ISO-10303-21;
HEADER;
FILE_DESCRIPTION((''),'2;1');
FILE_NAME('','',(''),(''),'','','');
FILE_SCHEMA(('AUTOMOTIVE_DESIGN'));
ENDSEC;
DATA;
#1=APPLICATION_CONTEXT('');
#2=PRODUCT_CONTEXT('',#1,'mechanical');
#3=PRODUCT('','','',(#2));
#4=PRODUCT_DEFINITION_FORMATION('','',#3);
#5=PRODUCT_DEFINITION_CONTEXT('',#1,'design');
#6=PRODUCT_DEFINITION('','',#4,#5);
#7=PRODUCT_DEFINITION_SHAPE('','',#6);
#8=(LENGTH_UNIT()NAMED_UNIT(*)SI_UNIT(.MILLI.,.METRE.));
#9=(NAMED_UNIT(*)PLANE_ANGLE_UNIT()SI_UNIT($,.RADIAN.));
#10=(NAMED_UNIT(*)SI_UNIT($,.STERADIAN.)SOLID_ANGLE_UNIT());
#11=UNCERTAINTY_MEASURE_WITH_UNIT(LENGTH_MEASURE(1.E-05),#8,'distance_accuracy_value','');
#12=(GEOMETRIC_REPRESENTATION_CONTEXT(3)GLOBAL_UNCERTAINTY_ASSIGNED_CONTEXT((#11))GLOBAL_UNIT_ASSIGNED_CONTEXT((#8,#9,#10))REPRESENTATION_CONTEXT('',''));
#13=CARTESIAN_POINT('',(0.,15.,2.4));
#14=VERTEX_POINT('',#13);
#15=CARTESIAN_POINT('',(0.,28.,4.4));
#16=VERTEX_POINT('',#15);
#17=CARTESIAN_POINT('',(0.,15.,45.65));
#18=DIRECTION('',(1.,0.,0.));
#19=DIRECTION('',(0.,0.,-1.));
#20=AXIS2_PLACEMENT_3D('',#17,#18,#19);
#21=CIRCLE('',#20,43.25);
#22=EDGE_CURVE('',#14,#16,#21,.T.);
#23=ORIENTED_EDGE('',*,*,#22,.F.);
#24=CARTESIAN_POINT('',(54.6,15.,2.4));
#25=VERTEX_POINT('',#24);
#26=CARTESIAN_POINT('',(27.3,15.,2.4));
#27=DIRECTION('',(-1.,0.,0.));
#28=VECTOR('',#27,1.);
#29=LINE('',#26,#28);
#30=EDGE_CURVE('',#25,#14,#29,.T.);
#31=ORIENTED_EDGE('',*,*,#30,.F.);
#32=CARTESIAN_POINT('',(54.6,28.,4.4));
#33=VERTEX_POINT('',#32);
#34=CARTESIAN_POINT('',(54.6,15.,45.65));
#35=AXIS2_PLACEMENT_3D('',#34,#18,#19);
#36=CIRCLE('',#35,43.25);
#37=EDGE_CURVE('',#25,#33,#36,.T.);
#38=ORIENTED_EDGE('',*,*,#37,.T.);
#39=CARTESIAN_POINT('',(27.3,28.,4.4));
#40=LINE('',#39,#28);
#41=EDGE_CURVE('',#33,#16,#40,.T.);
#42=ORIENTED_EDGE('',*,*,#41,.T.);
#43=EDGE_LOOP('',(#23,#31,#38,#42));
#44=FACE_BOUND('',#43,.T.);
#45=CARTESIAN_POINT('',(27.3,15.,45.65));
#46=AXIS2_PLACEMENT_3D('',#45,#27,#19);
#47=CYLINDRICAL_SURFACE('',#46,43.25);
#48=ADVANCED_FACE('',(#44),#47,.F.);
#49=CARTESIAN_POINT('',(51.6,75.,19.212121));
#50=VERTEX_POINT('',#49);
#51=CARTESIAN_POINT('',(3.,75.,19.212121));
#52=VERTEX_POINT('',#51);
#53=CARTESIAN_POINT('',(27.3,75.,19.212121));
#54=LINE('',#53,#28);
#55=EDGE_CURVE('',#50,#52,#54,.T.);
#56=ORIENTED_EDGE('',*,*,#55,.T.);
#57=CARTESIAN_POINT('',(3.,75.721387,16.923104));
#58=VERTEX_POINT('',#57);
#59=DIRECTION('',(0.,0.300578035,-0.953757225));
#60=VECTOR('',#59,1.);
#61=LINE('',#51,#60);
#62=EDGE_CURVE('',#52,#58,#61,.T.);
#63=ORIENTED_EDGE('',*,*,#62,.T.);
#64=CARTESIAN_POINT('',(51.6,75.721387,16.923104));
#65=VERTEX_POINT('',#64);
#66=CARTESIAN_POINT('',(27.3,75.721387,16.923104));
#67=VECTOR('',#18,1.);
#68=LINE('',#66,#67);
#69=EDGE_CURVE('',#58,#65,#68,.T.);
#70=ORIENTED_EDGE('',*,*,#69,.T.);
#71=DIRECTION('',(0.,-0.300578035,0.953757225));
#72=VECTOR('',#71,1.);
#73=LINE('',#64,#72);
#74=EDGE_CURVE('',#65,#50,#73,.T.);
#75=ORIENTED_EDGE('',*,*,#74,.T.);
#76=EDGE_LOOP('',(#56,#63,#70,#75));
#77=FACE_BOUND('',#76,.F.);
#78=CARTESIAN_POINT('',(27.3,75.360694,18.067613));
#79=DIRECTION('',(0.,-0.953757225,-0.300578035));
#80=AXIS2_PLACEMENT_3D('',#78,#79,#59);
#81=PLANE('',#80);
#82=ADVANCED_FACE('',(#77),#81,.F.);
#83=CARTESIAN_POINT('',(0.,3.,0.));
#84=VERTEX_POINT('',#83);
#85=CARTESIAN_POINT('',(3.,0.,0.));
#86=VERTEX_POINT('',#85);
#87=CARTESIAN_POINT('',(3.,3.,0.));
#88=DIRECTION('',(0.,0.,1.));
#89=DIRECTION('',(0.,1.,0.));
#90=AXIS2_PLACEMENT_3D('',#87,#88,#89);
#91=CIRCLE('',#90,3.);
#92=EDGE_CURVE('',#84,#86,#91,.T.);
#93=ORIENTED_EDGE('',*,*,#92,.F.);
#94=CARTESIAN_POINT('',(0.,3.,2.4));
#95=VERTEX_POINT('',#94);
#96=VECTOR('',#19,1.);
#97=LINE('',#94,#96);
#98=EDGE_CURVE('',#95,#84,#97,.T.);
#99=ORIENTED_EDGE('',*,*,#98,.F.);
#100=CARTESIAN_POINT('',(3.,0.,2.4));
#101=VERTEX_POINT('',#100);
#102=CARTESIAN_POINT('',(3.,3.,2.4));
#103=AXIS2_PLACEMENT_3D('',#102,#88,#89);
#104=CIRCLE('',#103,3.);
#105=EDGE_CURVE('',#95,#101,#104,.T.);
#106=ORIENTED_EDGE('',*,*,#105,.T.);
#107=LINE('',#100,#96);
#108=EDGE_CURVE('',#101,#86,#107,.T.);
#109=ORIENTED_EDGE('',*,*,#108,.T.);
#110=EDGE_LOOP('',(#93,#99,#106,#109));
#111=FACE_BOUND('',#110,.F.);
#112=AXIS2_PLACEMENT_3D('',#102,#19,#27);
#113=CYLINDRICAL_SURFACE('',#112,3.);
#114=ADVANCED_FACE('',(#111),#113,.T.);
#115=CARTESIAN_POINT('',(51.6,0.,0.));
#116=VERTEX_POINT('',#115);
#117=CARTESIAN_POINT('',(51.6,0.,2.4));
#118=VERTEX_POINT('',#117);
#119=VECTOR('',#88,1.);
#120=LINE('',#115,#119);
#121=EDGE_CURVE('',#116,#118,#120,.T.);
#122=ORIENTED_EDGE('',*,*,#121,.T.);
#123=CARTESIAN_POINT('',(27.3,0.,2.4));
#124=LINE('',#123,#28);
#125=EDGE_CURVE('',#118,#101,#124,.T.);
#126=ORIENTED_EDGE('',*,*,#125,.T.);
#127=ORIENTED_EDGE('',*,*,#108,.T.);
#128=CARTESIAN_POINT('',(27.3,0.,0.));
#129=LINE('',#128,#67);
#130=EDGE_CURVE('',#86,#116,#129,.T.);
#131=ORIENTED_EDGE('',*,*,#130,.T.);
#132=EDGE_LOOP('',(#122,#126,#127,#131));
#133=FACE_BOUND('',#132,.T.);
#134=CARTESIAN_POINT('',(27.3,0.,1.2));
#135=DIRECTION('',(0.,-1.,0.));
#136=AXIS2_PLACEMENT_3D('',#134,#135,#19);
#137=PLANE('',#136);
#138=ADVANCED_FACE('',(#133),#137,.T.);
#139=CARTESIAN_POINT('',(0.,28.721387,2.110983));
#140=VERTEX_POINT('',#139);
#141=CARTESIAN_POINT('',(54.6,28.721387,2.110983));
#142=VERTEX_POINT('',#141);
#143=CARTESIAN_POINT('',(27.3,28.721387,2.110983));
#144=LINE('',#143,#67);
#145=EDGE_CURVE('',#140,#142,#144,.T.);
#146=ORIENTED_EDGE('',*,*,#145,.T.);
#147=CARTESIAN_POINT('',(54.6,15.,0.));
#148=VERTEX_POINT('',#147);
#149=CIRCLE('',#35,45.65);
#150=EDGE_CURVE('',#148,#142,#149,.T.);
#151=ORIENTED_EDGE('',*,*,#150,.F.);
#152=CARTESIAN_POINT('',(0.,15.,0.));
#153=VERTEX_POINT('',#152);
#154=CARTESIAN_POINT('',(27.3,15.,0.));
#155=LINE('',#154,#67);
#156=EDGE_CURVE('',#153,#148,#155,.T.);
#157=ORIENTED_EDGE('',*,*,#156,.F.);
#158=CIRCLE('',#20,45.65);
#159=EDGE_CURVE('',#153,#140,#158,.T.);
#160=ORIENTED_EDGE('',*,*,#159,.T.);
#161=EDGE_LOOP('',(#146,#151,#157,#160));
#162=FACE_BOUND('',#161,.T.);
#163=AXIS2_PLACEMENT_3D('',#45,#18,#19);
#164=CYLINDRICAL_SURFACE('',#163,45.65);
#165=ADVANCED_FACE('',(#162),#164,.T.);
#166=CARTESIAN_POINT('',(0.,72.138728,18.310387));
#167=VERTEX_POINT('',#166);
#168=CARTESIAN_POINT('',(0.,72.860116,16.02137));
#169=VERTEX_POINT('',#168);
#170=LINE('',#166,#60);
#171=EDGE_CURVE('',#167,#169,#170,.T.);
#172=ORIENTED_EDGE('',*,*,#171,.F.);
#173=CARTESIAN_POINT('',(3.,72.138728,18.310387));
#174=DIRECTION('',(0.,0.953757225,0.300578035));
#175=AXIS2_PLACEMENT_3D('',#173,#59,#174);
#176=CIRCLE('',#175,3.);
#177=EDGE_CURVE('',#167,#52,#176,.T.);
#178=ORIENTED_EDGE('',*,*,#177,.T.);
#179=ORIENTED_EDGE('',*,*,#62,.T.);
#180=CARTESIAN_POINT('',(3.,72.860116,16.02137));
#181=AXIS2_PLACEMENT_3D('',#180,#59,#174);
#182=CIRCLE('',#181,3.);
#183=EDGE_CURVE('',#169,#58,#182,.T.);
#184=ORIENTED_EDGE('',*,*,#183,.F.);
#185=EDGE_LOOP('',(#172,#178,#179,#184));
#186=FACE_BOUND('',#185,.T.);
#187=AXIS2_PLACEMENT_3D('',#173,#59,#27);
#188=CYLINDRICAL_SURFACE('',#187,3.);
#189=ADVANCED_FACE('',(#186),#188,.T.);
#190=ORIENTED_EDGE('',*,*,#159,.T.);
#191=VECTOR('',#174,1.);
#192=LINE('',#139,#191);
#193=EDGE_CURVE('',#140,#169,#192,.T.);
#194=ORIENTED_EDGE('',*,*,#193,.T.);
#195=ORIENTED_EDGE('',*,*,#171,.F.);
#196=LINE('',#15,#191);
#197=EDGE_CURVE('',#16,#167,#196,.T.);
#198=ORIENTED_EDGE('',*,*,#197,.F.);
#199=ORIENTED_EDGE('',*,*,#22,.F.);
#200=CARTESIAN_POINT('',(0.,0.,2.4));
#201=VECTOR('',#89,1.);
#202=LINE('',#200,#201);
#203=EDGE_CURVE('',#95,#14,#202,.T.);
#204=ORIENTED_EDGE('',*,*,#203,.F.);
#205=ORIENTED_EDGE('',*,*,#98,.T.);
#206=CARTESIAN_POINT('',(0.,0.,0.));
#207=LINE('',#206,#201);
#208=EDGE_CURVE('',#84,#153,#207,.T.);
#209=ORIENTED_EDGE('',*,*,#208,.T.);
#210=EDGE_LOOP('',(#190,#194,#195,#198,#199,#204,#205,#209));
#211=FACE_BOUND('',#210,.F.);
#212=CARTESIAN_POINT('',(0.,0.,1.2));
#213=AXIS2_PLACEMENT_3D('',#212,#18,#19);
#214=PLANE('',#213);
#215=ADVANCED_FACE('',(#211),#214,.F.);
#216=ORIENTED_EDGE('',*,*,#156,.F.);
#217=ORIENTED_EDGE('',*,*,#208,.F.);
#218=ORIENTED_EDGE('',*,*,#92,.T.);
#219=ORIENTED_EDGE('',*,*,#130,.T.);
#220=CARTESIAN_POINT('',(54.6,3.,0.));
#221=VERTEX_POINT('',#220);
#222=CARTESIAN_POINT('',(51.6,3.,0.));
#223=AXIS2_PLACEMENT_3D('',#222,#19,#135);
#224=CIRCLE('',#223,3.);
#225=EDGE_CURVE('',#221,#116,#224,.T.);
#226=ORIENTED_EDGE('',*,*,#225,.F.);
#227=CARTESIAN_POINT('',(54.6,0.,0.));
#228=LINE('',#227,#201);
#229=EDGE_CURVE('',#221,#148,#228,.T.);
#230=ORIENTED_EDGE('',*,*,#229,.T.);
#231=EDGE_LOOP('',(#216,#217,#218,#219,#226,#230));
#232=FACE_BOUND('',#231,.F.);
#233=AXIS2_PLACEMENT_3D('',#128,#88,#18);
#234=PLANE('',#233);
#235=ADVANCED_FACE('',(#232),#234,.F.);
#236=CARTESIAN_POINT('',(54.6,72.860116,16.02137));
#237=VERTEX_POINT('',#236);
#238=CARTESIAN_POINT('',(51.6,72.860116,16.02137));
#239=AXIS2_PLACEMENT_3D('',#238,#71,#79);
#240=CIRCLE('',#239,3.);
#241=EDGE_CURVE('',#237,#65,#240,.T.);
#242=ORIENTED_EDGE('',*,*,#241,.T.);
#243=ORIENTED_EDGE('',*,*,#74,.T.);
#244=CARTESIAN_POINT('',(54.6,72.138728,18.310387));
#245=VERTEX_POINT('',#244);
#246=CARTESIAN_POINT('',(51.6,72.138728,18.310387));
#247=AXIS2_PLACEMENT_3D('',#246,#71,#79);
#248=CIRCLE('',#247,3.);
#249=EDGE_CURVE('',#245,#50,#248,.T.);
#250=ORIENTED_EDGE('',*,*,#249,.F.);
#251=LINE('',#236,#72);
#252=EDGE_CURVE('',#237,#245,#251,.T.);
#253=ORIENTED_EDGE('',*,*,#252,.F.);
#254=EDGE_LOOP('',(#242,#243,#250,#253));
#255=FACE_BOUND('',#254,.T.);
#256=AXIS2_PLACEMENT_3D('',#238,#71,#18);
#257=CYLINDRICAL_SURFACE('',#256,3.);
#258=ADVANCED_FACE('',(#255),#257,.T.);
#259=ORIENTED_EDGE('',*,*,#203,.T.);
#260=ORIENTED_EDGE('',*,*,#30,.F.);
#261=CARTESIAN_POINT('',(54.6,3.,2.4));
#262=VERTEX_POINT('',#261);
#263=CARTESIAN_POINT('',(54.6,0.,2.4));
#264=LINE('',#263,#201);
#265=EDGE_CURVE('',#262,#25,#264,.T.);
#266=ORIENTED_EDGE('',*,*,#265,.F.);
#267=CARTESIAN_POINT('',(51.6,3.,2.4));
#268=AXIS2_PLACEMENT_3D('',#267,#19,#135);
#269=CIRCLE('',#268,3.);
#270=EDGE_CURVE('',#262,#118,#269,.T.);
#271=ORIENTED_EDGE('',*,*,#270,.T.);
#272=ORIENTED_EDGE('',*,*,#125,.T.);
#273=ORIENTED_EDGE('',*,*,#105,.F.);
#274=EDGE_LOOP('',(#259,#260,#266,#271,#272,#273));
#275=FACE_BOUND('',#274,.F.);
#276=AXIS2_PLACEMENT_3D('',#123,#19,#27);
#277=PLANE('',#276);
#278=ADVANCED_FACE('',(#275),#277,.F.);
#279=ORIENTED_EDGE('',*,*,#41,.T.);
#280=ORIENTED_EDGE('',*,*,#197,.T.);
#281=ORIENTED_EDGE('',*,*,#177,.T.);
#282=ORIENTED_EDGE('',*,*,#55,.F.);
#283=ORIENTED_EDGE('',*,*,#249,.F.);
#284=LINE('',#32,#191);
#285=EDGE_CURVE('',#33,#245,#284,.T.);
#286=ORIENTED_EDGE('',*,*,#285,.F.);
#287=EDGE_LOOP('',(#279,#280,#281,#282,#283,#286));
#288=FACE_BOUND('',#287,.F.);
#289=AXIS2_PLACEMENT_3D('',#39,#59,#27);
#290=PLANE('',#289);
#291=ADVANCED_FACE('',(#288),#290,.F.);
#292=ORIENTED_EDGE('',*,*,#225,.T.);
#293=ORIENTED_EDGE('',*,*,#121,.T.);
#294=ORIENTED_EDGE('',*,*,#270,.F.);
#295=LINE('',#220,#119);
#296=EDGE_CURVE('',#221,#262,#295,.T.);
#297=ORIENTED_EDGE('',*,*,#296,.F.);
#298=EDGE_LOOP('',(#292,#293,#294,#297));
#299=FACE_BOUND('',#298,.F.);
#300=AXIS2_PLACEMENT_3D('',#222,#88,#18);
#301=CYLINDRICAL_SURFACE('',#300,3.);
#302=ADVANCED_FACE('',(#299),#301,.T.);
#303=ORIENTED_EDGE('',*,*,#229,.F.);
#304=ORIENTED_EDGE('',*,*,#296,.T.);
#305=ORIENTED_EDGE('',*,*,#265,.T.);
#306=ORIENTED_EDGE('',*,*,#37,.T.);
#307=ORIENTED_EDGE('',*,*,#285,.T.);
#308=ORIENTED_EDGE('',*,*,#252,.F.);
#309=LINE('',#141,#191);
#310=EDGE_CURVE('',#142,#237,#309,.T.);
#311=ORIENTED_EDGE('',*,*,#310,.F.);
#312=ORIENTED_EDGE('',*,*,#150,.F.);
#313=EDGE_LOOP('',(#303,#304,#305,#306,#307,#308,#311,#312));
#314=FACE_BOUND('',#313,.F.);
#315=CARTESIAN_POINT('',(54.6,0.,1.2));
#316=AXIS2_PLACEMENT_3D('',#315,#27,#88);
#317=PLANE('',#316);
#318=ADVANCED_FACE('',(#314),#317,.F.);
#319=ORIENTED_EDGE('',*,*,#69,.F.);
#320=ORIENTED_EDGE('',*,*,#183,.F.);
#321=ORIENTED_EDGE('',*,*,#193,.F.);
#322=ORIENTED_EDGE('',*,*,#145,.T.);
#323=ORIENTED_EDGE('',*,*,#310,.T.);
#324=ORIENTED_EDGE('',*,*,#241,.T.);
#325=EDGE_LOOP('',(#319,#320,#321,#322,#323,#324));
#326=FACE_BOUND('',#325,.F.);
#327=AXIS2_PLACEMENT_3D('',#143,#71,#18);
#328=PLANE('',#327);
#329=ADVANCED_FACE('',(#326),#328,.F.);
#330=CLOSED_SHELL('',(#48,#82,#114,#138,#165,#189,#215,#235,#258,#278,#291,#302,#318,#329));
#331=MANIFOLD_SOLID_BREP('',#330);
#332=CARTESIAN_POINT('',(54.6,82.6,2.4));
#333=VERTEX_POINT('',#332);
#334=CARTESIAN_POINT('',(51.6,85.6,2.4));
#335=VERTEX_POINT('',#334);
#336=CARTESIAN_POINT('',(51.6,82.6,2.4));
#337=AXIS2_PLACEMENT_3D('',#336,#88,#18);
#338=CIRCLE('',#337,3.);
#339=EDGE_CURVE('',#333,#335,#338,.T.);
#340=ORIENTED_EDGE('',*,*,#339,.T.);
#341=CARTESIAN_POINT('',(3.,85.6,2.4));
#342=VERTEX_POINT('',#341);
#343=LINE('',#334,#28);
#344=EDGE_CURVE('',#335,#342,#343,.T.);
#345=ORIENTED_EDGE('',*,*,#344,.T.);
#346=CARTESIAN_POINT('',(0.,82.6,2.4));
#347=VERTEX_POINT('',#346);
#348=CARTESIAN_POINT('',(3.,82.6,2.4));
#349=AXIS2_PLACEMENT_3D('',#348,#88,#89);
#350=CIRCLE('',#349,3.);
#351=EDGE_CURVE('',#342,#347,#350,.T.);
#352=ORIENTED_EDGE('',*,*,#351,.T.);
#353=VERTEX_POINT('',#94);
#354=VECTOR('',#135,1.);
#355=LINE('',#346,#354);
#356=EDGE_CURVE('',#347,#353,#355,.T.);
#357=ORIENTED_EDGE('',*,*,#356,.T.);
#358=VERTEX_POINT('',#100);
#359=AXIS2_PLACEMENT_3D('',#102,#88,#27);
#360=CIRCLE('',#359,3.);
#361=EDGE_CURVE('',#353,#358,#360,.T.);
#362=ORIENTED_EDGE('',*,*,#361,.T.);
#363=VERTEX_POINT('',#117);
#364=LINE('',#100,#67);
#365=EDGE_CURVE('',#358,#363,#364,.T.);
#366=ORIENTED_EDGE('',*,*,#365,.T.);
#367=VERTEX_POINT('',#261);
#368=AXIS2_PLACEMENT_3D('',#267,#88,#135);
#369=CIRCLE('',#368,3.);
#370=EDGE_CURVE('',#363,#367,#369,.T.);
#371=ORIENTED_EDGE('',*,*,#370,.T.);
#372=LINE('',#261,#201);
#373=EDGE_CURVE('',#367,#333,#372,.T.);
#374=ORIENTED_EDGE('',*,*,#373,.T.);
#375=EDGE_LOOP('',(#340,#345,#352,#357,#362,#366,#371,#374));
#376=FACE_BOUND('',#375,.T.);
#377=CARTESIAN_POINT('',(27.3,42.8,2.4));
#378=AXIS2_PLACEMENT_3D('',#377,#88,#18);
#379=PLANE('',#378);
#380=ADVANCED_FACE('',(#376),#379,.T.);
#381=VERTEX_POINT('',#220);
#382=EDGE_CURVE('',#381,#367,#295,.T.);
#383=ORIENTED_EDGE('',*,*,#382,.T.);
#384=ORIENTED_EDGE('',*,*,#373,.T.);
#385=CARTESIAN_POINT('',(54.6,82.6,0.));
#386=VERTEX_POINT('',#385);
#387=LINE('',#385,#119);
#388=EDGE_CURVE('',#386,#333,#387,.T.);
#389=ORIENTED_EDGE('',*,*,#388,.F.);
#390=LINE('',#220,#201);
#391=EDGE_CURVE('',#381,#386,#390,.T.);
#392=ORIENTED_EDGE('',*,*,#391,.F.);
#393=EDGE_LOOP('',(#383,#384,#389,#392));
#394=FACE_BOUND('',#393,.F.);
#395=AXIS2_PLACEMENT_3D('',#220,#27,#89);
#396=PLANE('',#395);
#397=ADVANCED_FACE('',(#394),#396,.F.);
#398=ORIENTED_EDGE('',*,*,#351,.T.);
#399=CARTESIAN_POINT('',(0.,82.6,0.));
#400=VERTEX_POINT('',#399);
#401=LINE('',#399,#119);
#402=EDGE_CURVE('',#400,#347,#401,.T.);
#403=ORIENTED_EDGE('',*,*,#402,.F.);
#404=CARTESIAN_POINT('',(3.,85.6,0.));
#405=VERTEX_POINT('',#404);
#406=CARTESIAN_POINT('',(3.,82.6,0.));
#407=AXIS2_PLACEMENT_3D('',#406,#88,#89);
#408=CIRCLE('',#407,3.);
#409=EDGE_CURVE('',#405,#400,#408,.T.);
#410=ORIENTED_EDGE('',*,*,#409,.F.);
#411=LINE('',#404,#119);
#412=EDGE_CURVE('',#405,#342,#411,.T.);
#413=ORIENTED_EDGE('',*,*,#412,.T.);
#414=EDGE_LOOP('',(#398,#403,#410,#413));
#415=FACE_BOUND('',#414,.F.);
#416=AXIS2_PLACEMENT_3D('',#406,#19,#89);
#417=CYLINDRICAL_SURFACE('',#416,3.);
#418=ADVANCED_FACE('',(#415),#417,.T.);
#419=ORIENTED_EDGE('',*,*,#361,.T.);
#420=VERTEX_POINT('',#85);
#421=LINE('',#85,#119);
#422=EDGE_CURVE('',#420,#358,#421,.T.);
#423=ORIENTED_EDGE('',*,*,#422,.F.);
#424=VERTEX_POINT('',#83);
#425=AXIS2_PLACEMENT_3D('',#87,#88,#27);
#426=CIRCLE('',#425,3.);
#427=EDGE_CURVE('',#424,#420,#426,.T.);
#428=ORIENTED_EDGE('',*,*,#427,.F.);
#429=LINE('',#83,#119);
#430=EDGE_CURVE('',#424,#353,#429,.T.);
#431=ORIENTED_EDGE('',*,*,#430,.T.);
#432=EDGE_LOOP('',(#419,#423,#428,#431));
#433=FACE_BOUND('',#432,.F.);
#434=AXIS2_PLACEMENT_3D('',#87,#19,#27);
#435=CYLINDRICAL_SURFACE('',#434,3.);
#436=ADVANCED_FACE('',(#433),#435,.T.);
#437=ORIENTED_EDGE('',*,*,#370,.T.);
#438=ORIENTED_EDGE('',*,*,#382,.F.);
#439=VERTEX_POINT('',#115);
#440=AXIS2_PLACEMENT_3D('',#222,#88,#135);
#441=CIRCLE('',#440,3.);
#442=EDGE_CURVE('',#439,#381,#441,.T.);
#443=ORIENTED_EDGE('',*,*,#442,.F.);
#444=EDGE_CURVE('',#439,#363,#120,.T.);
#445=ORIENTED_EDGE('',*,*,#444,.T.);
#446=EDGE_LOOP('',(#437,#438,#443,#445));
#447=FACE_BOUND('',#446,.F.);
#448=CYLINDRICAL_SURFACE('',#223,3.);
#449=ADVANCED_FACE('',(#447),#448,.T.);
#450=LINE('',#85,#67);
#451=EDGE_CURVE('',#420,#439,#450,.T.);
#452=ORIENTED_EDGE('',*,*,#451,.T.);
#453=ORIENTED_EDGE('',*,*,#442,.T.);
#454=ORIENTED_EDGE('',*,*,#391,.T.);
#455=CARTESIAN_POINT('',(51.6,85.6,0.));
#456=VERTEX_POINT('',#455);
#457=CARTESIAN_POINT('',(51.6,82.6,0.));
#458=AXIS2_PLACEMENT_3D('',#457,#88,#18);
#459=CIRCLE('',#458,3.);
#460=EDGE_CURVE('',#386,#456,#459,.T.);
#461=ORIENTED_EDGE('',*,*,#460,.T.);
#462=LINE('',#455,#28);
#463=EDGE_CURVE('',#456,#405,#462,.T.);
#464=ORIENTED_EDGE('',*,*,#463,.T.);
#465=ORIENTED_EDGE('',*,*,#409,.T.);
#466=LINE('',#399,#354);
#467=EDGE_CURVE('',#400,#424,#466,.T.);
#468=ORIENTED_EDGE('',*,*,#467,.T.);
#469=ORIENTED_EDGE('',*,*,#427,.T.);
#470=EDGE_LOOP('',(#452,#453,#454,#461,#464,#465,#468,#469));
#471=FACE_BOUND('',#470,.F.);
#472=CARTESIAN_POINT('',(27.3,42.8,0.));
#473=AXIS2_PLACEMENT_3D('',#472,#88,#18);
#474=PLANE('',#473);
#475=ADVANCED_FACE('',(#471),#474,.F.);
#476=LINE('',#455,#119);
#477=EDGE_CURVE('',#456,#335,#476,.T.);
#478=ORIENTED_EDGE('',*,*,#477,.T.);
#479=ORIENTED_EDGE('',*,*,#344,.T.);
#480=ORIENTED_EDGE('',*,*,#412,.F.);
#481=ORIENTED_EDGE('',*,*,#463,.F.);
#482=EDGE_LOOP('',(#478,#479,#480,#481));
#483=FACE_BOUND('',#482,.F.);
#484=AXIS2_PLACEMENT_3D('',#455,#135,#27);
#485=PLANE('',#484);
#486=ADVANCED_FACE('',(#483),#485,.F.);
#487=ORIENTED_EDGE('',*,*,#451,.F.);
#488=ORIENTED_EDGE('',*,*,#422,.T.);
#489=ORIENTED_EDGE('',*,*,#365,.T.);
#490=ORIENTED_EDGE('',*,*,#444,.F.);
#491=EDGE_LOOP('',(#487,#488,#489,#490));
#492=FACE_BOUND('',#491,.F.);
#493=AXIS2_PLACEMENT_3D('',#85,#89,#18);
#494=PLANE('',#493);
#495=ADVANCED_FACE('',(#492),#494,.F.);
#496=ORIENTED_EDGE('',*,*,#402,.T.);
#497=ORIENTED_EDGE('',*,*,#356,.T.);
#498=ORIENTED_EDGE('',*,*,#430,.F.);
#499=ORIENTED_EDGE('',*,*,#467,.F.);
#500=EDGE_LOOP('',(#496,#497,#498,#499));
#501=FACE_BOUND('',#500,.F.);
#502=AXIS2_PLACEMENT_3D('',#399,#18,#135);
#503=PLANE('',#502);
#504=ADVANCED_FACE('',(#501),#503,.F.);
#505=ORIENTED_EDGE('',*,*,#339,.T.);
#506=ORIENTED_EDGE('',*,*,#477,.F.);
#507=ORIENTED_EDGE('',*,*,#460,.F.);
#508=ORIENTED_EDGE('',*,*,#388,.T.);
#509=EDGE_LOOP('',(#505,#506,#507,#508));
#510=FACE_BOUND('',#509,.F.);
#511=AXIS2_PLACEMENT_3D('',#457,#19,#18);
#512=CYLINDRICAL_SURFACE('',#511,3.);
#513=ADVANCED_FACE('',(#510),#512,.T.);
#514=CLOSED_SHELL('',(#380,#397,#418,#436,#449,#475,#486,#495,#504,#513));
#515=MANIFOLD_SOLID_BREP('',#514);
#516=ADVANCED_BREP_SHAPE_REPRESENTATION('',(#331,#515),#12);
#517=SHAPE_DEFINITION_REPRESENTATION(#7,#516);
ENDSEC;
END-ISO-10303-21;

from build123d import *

# Parameters (mm, degrees)
F1_DEPTH = 2.4
F2_W     = 54.6
F2_H     = 2.4
F5_R     = 3


with BuildPart() as f1:
    # F0 (on Top) → F1 (new body)
    with BuildSketch(Plane.XY):
        with BuildLine():
            Line((51.6, 85.6), (3, 85.6))
            ThreePointArc((3, 85.6), (0.8786796564, 84.7213203436), (0, 82.6))
            Line((0, 82.6), (0, 3))
            ThreePointArc((0, 3), (0.8786796564, 0.8786796564), (3, 0))
            Line((3, 0), (51.6, 0))
            ThreePointArc((51.6, 0), (53.7213203436, 0.8786796564), (54.6, 3))
            Line((54.6, 3), (54.6, 82.6))
            ThreePointArc((54.6, 82.6), (53.7213203436, 84.7213203436), (51.6, 85.6))
        make_face()
    extrude(amount=F1_DEPTH)


with BuildPart() as f4:
    # F4: sweep along a path in F3
    with BuildLine(Plane.YZ.offset(54.6)) as f4_path:
        Line((0, 2.4), (15, 2.4))
        ThreePointArc((15, 2.4), (21.576473219, 2.9029240766), (28, 4.4))
        Line((28, 4.4), (75, 19.2121212121))
    # F2 (on face) → F4 (sweep)
    with BuildSketch(Plane.XZ):
        with Locations((27.3, 1.2)):
            Rectangle(F2_W, F2_H)
    sweep(path=f4_path.line)

    # F5
    f5_edges = [f4.edges().sort_by_distance(p)[0] for p in [
        (54.6, 0, 1.2),
        (0, 0, 1.2),
        (54.6, 75.360694, 18.067613),
        (0, 75.360694, 18.067613),
    ]]
    fillet(f5_edges, radius=F5_R)


solid = Compound([f1.part, f4.part])
